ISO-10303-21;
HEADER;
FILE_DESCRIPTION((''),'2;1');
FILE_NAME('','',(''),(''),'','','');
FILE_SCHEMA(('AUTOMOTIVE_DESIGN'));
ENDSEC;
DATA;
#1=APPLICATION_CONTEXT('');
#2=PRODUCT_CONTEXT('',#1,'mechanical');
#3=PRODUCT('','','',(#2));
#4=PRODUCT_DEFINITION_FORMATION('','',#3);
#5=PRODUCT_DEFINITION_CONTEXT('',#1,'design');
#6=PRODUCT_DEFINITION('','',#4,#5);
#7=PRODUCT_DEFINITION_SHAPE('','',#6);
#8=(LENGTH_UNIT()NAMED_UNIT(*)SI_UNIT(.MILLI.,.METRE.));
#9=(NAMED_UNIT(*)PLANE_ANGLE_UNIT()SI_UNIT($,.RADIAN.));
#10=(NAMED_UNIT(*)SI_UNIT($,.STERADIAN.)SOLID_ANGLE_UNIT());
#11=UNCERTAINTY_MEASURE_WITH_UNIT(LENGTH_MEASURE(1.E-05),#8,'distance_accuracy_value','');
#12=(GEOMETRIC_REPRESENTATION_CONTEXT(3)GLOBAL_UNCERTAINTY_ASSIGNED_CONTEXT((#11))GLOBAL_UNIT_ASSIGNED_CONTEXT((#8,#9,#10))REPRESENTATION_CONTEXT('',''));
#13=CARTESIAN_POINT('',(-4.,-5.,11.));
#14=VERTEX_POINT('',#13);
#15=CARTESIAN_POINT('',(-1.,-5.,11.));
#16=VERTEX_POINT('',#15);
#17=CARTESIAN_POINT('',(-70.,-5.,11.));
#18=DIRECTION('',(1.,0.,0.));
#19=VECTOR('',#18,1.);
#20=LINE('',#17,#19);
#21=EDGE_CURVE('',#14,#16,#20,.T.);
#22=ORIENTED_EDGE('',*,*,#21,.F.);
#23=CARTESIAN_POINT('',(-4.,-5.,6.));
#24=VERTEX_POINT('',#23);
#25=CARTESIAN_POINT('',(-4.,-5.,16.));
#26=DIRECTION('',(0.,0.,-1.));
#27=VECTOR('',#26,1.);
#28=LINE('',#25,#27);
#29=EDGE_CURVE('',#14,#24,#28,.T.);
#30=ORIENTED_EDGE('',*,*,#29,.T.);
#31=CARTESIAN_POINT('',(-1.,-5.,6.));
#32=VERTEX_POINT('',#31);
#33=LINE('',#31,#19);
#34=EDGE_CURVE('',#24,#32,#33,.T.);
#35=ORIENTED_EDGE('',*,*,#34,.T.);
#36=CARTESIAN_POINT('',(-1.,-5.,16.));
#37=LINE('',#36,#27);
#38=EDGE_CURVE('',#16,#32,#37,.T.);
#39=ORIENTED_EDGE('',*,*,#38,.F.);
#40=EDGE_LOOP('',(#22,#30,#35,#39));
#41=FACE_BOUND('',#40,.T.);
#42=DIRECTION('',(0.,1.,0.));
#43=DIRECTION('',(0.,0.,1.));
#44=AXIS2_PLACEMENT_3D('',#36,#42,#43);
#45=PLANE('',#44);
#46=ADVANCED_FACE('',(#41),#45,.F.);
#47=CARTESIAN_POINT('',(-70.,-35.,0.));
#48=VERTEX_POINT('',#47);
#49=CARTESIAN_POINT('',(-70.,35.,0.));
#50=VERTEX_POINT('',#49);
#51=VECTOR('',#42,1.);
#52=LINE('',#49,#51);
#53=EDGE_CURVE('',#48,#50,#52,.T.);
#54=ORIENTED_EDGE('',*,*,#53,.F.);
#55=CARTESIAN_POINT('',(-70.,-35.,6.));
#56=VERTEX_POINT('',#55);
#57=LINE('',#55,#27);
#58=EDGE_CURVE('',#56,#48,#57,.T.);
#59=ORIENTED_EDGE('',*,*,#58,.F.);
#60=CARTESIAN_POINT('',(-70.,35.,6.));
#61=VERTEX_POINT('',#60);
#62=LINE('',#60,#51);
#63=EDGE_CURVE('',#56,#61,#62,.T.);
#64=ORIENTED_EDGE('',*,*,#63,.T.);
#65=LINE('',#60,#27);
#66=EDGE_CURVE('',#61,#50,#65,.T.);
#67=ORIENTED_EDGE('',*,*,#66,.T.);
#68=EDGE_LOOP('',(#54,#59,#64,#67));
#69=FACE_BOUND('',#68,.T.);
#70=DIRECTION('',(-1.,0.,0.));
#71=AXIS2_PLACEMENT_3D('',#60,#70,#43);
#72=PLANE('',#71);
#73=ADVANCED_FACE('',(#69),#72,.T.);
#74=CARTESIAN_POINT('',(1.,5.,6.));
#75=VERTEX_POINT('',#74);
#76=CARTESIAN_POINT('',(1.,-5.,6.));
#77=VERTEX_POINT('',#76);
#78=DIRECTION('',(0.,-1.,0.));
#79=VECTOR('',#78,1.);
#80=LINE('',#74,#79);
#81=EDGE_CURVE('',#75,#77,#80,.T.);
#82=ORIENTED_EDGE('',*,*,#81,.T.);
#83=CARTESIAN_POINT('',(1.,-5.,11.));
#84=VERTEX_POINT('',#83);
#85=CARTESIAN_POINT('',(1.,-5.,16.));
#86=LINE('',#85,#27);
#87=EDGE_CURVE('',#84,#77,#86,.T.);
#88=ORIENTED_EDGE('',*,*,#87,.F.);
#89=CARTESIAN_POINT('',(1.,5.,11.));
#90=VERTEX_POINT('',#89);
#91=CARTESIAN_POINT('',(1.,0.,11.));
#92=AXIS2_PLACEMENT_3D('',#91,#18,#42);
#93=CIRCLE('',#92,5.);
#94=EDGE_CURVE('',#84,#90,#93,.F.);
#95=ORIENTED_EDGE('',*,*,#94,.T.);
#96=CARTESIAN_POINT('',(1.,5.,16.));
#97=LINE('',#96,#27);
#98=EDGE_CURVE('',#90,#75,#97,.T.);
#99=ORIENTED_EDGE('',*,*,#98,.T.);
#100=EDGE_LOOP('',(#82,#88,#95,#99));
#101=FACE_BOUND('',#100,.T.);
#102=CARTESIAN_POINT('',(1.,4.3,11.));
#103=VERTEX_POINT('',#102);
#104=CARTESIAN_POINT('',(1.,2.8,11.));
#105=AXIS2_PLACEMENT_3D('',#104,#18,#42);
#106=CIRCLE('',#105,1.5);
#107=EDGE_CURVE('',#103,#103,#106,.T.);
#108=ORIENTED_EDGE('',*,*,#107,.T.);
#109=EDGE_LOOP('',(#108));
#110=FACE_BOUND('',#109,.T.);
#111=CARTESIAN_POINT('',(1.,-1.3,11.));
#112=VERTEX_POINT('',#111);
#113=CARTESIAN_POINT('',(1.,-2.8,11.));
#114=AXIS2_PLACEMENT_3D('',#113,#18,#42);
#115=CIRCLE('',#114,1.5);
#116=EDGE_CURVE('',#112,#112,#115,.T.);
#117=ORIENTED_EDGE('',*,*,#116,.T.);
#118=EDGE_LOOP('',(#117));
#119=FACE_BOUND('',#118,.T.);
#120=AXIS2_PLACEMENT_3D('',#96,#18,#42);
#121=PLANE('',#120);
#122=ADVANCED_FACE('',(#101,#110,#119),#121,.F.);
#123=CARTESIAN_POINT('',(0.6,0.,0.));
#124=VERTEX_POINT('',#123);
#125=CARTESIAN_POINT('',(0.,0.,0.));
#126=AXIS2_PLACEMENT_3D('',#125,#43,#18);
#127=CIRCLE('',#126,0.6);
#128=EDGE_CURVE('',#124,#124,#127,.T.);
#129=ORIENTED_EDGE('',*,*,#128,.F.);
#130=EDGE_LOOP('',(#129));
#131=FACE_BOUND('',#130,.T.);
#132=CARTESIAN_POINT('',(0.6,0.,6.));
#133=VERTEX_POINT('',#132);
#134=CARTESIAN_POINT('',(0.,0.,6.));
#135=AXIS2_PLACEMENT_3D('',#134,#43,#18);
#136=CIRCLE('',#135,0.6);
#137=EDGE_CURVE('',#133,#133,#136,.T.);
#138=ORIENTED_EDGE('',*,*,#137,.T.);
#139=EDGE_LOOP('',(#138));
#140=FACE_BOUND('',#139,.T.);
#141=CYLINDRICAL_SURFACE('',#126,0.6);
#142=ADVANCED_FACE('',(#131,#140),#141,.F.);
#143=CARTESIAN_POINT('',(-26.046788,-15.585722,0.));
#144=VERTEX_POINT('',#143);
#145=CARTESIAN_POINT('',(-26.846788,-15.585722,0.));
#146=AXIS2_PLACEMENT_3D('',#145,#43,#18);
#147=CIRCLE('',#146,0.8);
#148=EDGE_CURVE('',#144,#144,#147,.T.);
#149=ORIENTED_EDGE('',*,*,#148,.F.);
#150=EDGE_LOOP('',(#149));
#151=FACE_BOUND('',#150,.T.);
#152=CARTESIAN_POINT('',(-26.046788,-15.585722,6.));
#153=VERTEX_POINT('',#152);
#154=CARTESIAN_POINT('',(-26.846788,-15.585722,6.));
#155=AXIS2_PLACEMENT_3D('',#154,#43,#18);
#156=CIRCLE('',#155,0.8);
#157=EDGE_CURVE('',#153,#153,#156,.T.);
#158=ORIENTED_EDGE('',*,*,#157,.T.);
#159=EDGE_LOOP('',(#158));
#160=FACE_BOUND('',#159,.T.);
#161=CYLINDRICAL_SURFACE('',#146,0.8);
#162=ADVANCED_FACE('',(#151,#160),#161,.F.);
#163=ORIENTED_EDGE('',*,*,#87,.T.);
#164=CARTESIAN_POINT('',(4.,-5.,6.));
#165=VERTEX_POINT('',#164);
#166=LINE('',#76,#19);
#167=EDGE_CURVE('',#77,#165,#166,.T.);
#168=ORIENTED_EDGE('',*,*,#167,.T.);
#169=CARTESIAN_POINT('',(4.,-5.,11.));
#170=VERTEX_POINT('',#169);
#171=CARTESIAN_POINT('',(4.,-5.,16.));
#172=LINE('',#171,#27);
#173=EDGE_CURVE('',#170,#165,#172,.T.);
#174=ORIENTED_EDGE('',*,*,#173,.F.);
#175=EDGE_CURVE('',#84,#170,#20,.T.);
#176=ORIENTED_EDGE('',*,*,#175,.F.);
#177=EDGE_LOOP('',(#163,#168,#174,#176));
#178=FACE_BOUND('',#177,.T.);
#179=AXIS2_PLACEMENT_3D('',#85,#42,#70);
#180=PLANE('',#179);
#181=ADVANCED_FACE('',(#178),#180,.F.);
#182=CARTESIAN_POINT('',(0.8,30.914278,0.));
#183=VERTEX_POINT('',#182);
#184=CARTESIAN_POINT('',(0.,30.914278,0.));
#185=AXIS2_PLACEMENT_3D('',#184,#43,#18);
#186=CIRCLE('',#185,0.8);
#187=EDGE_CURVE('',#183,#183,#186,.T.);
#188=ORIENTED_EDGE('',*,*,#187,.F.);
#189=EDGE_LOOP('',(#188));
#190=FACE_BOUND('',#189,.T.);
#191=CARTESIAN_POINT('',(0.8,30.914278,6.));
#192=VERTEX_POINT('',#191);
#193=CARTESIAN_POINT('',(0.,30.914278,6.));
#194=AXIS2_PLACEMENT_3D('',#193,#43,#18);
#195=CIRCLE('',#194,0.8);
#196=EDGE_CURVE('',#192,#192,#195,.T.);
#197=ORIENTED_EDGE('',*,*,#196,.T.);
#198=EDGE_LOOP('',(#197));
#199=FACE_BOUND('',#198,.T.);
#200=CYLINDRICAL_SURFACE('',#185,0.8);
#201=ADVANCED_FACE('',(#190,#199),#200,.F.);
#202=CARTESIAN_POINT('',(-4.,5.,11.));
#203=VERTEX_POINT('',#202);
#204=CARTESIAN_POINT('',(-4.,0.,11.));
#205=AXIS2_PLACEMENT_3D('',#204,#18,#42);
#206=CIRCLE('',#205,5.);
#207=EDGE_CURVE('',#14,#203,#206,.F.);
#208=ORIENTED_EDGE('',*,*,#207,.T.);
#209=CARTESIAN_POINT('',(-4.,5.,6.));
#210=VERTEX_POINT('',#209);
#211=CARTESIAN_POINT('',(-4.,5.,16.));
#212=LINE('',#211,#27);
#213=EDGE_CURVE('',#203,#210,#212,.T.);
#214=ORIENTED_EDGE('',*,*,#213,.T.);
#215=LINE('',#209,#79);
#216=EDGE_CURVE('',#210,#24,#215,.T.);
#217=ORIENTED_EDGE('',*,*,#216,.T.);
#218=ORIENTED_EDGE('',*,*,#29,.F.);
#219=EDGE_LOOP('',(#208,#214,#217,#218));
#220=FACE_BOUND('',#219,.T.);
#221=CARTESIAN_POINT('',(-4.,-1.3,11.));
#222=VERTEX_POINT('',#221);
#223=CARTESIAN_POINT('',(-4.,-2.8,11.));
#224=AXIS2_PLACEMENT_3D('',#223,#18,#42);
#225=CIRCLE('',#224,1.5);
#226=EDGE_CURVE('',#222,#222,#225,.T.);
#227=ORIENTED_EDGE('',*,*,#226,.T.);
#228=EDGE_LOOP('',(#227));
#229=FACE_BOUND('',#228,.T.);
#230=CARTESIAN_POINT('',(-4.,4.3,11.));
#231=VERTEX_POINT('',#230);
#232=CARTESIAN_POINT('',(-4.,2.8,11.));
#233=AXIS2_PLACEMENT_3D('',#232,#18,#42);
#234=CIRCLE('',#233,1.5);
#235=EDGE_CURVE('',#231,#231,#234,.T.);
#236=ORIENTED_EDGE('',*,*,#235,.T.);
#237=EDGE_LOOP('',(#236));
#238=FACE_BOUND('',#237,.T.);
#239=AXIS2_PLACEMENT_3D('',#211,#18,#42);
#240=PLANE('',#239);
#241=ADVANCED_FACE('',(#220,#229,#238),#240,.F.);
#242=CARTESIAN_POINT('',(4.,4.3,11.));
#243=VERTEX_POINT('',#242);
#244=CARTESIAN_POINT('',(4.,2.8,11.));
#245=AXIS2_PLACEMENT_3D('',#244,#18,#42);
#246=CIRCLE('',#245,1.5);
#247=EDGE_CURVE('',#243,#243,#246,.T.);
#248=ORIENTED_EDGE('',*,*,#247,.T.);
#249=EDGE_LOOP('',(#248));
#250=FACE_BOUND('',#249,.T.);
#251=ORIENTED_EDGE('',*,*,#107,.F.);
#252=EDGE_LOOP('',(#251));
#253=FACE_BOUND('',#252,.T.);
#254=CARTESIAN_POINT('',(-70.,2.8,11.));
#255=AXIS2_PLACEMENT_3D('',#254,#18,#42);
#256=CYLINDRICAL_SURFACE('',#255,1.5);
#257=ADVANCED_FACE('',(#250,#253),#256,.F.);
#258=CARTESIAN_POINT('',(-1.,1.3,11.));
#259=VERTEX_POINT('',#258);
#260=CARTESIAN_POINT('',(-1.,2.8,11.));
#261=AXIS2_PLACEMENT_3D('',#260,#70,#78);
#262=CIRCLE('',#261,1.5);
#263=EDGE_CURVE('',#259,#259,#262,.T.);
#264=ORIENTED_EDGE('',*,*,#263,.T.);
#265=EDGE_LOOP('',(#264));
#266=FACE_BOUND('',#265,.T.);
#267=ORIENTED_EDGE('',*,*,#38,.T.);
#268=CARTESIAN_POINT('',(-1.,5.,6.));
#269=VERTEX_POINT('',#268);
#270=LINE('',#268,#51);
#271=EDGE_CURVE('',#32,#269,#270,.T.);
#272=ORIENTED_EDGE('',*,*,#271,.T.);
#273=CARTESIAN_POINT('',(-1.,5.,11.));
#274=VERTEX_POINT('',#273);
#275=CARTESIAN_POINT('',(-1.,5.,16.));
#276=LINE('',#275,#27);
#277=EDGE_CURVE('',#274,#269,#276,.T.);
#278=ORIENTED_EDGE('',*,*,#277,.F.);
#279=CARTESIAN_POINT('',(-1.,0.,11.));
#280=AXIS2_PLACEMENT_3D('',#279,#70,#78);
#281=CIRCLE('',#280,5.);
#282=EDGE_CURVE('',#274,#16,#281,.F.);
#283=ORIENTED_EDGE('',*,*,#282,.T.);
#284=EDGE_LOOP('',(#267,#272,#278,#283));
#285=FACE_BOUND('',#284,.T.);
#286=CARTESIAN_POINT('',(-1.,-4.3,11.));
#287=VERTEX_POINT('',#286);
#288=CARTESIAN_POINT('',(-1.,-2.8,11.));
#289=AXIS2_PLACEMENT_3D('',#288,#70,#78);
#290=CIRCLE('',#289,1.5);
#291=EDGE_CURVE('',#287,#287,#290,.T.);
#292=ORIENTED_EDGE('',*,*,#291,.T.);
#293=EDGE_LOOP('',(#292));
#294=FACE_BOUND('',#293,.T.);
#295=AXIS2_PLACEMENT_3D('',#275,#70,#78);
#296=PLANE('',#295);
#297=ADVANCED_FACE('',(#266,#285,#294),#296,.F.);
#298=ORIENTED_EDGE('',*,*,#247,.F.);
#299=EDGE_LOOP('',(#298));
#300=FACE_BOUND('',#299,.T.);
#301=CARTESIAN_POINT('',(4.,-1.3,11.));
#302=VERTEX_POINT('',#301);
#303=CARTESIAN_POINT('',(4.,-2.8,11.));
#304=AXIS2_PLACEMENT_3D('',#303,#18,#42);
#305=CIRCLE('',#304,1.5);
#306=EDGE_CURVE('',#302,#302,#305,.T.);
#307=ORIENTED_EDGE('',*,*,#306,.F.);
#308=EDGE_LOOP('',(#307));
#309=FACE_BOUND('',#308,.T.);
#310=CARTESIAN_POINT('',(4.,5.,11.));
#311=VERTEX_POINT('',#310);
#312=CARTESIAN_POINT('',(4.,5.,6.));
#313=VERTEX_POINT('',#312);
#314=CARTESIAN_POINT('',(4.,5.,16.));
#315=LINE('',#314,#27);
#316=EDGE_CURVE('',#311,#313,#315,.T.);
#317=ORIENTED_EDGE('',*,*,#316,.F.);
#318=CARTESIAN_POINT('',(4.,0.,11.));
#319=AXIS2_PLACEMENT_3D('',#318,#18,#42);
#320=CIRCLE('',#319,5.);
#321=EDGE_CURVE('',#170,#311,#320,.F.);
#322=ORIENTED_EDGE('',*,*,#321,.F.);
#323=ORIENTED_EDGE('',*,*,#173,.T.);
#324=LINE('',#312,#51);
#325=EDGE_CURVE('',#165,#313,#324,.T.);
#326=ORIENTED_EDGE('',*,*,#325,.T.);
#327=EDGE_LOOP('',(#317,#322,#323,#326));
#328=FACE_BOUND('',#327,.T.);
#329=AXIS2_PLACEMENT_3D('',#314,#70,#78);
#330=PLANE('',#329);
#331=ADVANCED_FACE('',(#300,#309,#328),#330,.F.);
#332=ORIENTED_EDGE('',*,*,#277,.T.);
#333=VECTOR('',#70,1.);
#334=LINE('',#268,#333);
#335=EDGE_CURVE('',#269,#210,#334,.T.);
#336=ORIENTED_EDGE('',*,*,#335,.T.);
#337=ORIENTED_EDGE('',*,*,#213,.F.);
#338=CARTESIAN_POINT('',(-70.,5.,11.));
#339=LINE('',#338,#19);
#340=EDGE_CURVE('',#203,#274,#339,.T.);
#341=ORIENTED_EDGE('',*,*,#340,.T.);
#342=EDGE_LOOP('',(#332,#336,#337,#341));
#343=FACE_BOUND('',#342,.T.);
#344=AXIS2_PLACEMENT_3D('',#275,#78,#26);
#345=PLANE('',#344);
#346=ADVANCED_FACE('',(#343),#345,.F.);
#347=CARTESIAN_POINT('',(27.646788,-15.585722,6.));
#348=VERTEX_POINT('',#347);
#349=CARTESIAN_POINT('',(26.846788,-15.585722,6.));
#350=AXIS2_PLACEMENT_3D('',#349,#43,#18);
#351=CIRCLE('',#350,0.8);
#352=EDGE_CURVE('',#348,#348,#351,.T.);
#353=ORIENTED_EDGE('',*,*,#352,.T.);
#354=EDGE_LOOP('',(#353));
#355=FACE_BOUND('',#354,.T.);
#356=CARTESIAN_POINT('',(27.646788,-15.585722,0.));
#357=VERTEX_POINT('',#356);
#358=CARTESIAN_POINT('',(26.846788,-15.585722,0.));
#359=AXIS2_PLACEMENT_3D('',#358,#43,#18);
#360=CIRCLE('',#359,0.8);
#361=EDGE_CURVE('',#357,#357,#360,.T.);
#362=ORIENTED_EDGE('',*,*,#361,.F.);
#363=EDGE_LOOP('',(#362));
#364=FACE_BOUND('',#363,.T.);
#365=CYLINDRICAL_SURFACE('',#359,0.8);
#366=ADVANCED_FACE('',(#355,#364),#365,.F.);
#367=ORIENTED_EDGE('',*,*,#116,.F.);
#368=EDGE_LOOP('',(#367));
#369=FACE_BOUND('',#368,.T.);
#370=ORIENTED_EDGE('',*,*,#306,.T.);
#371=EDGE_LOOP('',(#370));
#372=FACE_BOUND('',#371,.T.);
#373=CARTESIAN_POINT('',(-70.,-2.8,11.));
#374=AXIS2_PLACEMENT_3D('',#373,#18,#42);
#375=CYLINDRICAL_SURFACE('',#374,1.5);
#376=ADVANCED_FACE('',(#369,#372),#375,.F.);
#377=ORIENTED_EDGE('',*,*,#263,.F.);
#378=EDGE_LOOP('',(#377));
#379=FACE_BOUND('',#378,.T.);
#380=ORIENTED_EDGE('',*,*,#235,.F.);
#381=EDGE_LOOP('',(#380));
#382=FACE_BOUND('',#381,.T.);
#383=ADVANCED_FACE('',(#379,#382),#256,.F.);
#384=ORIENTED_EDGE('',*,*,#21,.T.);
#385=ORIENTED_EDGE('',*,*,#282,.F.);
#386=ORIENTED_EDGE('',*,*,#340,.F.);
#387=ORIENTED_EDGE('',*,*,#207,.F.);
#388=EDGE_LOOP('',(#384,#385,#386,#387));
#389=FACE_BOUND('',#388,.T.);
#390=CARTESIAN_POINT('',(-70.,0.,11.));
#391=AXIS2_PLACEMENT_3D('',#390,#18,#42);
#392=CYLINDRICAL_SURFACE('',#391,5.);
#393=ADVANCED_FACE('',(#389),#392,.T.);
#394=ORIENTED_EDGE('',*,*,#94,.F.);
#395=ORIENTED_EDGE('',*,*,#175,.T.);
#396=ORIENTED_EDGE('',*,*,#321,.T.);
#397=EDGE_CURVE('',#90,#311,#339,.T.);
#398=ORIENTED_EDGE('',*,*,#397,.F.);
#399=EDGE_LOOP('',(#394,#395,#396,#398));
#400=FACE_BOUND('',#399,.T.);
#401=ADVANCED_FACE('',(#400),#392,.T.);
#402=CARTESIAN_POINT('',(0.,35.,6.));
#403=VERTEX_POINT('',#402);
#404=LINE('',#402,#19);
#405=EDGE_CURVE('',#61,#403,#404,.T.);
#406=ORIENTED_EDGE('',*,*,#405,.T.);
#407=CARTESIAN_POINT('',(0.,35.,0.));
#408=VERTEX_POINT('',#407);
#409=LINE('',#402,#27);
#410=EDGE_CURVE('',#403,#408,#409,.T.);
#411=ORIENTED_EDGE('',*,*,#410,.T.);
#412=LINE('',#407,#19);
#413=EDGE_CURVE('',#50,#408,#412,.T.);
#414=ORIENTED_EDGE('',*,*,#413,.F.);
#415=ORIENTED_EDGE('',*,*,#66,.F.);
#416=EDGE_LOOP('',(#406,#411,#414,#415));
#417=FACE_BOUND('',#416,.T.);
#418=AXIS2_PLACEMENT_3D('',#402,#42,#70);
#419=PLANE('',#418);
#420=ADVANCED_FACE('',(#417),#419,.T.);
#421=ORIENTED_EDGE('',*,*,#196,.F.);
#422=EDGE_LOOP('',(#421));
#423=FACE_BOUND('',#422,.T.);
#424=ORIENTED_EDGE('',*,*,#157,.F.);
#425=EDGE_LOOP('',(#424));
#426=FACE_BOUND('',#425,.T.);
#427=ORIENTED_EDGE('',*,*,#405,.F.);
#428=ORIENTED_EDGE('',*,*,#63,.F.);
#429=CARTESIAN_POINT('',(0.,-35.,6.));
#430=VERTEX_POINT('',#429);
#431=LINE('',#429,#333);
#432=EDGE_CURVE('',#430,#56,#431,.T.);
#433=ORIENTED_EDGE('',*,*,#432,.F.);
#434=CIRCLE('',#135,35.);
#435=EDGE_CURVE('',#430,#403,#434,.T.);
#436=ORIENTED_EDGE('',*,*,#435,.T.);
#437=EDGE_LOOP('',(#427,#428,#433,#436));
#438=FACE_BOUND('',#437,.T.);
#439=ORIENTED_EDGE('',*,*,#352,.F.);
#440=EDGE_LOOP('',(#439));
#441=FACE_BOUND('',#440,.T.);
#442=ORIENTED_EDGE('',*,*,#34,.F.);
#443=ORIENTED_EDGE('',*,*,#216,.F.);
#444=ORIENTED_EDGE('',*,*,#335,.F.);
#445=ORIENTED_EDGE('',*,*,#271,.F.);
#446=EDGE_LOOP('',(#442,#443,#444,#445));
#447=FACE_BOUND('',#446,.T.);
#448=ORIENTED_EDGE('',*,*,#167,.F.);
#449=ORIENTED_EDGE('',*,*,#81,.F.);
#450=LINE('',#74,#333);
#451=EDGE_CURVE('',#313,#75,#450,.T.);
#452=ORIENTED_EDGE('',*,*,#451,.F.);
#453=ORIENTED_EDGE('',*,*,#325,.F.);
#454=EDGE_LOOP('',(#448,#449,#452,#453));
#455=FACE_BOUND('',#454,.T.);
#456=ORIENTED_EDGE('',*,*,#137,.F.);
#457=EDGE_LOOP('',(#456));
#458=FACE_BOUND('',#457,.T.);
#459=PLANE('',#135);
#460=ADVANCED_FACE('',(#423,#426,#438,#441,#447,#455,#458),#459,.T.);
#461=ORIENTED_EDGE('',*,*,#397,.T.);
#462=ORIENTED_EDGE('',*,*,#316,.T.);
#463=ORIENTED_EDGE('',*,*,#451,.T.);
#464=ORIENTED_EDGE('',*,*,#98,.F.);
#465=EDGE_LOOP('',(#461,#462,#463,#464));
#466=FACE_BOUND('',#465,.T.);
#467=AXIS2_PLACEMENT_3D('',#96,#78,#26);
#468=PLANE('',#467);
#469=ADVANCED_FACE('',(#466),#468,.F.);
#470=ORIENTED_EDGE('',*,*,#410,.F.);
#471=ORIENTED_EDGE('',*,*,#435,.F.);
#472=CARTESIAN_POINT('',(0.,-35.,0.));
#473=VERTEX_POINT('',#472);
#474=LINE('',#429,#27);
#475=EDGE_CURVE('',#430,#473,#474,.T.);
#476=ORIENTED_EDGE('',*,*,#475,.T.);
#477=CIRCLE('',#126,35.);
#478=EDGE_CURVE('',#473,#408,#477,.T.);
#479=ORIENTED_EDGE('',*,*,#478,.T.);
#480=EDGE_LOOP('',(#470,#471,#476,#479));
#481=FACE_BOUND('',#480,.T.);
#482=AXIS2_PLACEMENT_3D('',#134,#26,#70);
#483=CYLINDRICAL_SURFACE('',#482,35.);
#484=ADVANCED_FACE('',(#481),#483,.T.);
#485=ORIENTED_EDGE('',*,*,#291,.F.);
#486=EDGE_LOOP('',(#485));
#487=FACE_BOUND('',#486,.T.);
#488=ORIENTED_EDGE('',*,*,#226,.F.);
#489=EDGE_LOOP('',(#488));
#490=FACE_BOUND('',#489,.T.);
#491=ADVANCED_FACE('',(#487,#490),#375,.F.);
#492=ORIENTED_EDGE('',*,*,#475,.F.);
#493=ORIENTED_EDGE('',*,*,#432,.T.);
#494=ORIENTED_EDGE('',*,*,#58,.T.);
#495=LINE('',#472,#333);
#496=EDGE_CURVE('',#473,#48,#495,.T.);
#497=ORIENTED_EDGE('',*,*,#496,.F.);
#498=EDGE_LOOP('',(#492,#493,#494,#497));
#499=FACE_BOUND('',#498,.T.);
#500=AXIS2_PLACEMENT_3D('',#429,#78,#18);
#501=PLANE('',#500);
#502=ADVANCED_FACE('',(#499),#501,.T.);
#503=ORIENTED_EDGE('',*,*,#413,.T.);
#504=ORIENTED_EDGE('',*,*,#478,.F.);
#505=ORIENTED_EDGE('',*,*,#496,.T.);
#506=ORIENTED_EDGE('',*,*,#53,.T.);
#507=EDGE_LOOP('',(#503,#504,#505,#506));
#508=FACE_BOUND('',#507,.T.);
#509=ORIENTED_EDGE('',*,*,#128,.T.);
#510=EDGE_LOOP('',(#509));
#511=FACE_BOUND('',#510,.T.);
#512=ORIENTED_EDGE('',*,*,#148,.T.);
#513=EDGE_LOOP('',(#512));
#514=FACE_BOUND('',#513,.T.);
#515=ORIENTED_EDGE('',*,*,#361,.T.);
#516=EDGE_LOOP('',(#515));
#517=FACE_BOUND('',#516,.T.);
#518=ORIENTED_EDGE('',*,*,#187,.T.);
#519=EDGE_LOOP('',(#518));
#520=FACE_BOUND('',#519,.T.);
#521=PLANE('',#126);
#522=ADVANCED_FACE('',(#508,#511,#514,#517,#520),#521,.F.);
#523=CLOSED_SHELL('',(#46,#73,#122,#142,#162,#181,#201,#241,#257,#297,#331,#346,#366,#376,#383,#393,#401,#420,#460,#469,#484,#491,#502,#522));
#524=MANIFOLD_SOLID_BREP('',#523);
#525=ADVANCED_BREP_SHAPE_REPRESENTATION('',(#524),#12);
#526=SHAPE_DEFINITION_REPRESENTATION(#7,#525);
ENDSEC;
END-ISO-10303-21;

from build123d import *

# Parameters (mm, degrees)
SKETCH2_R           = 35
BOSS_EXTRUDE1_DEPTH = 6
SKETCH8_W           = 70
SKETCH8_H           = 70
BOSS_EXTRUDE3_DEPTH = 6
SKETCH3_R           = 0.8
CUT_EXTRUDE1_DEPTH  = 6
SKETCH4_R           = 0.6
CUT_EXTRUDE2_DEPTH  = 6
SKETCH5_W           = 3
SKETCH5_H           = 10
BOSS_EXTRUDE2_DEPTH = 10
CUT_EXTRUDE3_DEPTH  = 84.408632647
SKETCH7_R           = 1.5
CUT_EXTRUDE4_DEPTH  = 84.408632647


with BuildPart() as part:
    # Sketch2 → Boss-Extrude1 (new body)
    with BuildSketch(Plane.XY):
        Circle(SKETCH2_R)
    extrude(amount=BOSS_EXTRUDE1_DEPTH)

    # Sketch8 → Boss-Extrude3 (add)
    with BuildSketch(Plane(origin=(0, 0, 0), x_dir=(-1, 0, 0), z_dir=(0, 0, -1))):
        with Locations((35, 0)):
            Rectangle(SKETCH8_W, SKETCH8_H)
    extrude(amount=-BOSS_EXTRUDE3_DEPTH)

    # Sketch3 → Cut-Extrude1 (cut)
    with BuildSketch(Plane.XY.offset(6)):
        with Locations((0, 30.914278185)):
            Circle(SKETCH3_R)
        with Locations((26.846787517, -15.585721815)):
            Circle(SKETCH3_R)
        with Locations((-26.846787517, -15.585721815)):
            Circle(SKETCH3_R)
    extrude(amount=-CUT_EXTRUDE1_DEPTH, mode=Mode.SUBTRACT)

    # Sketch4 → Cut-Extrude2 (cut)
    with BuildSketch(Plane.XY.offset(6)):
        Circle(SKETCH4_R)
    extrude(amount=-CUT_EXTRUDE2_DEPTH, mode=Mode.SUBTRACT)

    # Sketch5 → Boss-Extrude2 (add)
    with BuildSketch(Plane.XY.offset(6)):
        with Locations((2.5, 0)):
            Rectangle(SKETCH5_W, SKETCH5_H)
        with Locations((-2.5, 0)):
            Rectangle(SKETCH5_W, SKETCH5_H)
    extrude(amount=BOSS_EXTRUDE2_DEPTH)

    # Sketch6 → Cut-Extrude3 (cut, through all)
    with BuildSketch(Plane(origin=(4, 0, 0), x_dir=(0, 0, -1), z_dir=(1, 0, 0))):
        with BuildLine():
            ThreePointArc((-16, 0), (-14.535533906, 3.535533906), (-11, 5))
            Line((-11, 5), (-16, 5))
            Line((-16, 5), (-16, 0))
        make_face()
        with BuildLine():
            ThreePointArc((-11, -5), (-14.535533906, -3.535533906), (-16, 0))
            Line((-16, 0), (-16, -5))
            Line((-16, -5), (-11, -5))
        make_face()
    extrude(amount=-CUT_EXTRUDE3_DEPTH, mode=Mode.SUBTRACT)

    # Sketch7 → Cut-Extrude4 (cut, through all)
    with BuildSketch(Plane(origin=(4, 0, 0), x_dir=(0, 0, -1), z_dir=(1, 0, 0))):
        with Locations(Location((-11, 2.8, 0), (0, 0, 90))):
            Circle(SKETCH7_R)
        with Locations(Location((-11, -2.8, 0), (0, 0, 90))):
            Circle(SKETCH7_R)
    extrude(amount=-CUT_EXTRUDE4_DEPTH, mode=Mode.SUBTRACT)


solid = part.part
